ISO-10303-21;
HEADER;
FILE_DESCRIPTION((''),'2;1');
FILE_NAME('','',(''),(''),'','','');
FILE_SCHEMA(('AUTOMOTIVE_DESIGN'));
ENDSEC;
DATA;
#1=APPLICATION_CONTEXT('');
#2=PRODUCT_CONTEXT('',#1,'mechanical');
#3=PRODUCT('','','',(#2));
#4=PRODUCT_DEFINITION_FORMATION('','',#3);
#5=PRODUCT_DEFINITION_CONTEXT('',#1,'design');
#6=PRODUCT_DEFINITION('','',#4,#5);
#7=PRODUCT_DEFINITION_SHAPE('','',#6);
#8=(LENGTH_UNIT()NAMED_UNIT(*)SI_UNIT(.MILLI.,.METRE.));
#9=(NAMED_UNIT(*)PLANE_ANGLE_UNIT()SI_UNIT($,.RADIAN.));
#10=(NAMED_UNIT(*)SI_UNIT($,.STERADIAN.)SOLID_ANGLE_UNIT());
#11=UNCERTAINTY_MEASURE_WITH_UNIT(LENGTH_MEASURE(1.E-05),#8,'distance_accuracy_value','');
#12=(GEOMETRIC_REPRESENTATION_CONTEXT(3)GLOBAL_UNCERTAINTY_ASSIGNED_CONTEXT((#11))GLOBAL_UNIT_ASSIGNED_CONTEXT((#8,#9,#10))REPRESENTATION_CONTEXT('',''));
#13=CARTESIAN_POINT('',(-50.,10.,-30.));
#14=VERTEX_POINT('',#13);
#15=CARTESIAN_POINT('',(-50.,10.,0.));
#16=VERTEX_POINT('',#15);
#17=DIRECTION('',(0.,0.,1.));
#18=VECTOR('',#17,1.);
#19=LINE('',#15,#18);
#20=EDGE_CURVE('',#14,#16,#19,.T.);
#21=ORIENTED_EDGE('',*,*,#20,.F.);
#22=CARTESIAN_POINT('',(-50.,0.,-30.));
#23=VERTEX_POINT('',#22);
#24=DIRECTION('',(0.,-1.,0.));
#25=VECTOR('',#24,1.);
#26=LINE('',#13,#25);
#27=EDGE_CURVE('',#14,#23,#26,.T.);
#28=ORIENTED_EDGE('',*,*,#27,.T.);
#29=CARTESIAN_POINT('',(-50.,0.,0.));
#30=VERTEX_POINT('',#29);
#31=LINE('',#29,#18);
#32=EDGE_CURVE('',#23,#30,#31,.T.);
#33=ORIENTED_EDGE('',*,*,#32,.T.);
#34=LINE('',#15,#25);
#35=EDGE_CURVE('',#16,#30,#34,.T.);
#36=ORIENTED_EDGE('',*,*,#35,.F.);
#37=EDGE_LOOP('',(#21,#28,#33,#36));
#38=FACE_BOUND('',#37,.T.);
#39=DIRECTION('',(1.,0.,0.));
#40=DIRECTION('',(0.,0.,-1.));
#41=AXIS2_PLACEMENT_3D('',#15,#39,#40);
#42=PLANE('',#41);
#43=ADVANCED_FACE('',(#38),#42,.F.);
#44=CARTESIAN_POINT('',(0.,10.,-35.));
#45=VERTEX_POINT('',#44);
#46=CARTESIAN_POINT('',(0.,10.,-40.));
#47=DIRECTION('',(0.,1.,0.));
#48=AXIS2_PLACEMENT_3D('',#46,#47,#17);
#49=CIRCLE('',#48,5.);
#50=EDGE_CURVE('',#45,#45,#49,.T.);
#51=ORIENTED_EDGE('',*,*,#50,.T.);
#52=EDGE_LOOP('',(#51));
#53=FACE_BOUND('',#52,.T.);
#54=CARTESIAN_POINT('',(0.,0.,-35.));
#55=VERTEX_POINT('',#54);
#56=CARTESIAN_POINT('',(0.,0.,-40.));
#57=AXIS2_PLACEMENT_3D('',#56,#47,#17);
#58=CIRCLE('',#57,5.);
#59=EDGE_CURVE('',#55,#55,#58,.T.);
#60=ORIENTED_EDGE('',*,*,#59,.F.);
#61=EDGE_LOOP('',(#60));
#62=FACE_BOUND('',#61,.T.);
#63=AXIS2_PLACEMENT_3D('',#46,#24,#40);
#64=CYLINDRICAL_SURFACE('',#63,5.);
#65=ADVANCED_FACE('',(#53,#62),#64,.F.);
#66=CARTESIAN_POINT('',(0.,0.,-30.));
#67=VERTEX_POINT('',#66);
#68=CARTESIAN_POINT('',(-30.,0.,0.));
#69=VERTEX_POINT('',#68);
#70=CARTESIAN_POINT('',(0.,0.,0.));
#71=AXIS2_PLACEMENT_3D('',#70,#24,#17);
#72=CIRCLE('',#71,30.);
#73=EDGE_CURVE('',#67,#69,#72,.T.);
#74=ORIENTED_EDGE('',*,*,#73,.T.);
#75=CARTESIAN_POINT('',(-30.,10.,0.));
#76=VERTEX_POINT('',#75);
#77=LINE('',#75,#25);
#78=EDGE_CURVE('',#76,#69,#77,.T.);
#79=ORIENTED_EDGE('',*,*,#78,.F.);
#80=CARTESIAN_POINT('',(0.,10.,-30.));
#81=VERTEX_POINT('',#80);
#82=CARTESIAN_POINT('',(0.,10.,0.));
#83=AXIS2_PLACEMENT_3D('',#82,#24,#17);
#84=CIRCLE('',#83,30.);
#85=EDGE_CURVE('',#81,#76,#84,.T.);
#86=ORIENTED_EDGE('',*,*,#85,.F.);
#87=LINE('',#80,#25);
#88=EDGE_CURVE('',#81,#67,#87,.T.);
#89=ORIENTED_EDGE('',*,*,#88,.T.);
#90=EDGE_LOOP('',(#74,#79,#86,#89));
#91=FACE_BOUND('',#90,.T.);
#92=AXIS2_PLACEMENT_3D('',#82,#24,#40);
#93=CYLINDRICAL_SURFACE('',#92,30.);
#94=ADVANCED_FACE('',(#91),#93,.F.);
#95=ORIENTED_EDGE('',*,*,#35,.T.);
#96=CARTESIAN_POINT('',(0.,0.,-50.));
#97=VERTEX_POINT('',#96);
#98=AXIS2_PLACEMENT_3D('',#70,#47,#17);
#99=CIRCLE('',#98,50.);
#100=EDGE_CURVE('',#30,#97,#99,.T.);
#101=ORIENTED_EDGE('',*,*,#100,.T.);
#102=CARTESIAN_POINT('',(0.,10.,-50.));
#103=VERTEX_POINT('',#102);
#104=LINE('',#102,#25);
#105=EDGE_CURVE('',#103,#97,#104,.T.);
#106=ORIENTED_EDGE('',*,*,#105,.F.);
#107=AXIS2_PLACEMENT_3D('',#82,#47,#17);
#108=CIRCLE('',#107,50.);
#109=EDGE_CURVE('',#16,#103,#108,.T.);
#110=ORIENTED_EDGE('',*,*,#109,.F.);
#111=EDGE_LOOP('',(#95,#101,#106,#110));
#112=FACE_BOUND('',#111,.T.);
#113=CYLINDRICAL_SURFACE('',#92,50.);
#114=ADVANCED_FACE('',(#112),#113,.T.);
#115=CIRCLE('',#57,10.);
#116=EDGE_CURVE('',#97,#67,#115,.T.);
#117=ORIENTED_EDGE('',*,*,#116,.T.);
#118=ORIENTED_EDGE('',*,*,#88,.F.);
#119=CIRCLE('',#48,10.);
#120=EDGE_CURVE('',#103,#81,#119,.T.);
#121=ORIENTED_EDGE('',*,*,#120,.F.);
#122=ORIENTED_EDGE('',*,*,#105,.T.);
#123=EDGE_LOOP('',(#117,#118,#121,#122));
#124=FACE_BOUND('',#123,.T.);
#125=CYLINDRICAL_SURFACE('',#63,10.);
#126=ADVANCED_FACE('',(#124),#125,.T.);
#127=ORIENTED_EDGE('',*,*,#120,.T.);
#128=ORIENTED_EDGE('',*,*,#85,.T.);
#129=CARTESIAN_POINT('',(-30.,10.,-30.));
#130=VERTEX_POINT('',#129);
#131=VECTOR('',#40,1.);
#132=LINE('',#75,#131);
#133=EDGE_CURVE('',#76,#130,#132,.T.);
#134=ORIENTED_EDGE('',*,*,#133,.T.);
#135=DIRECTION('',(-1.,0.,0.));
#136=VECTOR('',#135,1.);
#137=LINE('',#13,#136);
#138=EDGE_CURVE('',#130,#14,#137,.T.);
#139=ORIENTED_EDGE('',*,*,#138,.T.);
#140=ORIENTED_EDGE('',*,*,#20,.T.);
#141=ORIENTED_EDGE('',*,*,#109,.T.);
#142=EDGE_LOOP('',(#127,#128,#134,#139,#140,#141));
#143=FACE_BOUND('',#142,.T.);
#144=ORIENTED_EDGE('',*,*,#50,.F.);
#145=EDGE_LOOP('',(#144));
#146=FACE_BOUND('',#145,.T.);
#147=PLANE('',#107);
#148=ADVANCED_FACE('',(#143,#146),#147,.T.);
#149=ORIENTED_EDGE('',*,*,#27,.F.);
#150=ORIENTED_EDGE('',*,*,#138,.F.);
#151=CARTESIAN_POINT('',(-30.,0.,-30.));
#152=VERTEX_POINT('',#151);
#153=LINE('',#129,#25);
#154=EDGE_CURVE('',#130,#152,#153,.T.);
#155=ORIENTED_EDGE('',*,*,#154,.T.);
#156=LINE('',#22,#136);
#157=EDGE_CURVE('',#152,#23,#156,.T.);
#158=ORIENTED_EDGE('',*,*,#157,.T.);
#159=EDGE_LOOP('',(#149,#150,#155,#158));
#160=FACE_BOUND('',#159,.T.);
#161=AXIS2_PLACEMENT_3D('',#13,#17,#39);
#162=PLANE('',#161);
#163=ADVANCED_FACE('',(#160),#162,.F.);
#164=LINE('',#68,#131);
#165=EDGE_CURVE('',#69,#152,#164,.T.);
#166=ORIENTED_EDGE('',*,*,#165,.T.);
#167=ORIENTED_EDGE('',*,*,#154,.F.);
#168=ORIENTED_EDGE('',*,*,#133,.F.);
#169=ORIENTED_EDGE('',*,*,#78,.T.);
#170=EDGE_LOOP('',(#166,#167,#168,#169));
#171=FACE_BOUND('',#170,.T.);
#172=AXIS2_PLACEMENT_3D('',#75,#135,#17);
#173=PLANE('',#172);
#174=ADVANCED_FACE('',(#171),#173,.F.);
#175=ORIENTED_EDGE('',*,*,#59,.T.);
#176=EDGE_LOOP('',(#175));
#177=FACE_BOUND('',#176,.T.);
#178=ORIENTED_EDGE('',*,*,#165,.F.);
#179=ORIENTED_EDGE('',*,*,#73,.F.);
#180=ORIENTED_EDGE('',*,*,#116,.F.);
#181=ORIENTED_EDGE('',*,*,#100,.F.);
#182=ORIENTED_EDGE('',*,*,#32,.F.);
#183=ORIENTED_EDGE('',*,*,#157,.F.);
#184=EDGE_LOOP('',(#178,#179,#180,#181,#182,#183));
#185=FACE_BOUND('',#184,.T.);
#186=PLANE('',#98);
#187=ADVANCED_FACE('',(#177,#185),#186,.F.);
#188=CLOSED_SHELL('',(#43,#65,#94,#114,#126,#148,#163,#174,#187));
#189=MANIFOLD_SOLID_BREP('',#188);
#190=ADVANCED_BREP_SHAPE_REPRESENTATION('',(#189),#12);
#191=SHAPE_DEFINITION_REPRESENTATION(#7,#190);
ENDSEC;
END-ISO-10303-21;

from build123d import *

# Parameters (mm, degrees)
SKETCH_1_R      = 5
EXTRUDE_1_DEPTH = 10


with BuildPart() as part:
    # 草图1 → 凸台-拉伸1 (new body)
    with BuildSketch(Plane(origin=(0, 0, 0), x_dir=(1, 0, 0), z_dir=(0, 1, 0))):
        with BuildLine():
            Line((-50, 0), (-50, 30))
            Line((-50, 30), (-30, 30))
            Line((-30, 30), (-30, 0))
            ThreePointArc((-30, 0), (21.213203436, -21.213203436), (0, 30))
            ThreePointArc((0, 30), (-10, 40), (0, 50))
            ThreePointArc((0, 50), (35.355339059, -35.355339059), (-50, 0))
        make_face()
        with Locations(Location((0, 40, 0), (0, 0, 270))):
            Circle(SKETCH_1_R, mode=Mode.SUBTRACT)
    extrude(amount=EXTRUDE_1_DEPTH)


solid = part.part
